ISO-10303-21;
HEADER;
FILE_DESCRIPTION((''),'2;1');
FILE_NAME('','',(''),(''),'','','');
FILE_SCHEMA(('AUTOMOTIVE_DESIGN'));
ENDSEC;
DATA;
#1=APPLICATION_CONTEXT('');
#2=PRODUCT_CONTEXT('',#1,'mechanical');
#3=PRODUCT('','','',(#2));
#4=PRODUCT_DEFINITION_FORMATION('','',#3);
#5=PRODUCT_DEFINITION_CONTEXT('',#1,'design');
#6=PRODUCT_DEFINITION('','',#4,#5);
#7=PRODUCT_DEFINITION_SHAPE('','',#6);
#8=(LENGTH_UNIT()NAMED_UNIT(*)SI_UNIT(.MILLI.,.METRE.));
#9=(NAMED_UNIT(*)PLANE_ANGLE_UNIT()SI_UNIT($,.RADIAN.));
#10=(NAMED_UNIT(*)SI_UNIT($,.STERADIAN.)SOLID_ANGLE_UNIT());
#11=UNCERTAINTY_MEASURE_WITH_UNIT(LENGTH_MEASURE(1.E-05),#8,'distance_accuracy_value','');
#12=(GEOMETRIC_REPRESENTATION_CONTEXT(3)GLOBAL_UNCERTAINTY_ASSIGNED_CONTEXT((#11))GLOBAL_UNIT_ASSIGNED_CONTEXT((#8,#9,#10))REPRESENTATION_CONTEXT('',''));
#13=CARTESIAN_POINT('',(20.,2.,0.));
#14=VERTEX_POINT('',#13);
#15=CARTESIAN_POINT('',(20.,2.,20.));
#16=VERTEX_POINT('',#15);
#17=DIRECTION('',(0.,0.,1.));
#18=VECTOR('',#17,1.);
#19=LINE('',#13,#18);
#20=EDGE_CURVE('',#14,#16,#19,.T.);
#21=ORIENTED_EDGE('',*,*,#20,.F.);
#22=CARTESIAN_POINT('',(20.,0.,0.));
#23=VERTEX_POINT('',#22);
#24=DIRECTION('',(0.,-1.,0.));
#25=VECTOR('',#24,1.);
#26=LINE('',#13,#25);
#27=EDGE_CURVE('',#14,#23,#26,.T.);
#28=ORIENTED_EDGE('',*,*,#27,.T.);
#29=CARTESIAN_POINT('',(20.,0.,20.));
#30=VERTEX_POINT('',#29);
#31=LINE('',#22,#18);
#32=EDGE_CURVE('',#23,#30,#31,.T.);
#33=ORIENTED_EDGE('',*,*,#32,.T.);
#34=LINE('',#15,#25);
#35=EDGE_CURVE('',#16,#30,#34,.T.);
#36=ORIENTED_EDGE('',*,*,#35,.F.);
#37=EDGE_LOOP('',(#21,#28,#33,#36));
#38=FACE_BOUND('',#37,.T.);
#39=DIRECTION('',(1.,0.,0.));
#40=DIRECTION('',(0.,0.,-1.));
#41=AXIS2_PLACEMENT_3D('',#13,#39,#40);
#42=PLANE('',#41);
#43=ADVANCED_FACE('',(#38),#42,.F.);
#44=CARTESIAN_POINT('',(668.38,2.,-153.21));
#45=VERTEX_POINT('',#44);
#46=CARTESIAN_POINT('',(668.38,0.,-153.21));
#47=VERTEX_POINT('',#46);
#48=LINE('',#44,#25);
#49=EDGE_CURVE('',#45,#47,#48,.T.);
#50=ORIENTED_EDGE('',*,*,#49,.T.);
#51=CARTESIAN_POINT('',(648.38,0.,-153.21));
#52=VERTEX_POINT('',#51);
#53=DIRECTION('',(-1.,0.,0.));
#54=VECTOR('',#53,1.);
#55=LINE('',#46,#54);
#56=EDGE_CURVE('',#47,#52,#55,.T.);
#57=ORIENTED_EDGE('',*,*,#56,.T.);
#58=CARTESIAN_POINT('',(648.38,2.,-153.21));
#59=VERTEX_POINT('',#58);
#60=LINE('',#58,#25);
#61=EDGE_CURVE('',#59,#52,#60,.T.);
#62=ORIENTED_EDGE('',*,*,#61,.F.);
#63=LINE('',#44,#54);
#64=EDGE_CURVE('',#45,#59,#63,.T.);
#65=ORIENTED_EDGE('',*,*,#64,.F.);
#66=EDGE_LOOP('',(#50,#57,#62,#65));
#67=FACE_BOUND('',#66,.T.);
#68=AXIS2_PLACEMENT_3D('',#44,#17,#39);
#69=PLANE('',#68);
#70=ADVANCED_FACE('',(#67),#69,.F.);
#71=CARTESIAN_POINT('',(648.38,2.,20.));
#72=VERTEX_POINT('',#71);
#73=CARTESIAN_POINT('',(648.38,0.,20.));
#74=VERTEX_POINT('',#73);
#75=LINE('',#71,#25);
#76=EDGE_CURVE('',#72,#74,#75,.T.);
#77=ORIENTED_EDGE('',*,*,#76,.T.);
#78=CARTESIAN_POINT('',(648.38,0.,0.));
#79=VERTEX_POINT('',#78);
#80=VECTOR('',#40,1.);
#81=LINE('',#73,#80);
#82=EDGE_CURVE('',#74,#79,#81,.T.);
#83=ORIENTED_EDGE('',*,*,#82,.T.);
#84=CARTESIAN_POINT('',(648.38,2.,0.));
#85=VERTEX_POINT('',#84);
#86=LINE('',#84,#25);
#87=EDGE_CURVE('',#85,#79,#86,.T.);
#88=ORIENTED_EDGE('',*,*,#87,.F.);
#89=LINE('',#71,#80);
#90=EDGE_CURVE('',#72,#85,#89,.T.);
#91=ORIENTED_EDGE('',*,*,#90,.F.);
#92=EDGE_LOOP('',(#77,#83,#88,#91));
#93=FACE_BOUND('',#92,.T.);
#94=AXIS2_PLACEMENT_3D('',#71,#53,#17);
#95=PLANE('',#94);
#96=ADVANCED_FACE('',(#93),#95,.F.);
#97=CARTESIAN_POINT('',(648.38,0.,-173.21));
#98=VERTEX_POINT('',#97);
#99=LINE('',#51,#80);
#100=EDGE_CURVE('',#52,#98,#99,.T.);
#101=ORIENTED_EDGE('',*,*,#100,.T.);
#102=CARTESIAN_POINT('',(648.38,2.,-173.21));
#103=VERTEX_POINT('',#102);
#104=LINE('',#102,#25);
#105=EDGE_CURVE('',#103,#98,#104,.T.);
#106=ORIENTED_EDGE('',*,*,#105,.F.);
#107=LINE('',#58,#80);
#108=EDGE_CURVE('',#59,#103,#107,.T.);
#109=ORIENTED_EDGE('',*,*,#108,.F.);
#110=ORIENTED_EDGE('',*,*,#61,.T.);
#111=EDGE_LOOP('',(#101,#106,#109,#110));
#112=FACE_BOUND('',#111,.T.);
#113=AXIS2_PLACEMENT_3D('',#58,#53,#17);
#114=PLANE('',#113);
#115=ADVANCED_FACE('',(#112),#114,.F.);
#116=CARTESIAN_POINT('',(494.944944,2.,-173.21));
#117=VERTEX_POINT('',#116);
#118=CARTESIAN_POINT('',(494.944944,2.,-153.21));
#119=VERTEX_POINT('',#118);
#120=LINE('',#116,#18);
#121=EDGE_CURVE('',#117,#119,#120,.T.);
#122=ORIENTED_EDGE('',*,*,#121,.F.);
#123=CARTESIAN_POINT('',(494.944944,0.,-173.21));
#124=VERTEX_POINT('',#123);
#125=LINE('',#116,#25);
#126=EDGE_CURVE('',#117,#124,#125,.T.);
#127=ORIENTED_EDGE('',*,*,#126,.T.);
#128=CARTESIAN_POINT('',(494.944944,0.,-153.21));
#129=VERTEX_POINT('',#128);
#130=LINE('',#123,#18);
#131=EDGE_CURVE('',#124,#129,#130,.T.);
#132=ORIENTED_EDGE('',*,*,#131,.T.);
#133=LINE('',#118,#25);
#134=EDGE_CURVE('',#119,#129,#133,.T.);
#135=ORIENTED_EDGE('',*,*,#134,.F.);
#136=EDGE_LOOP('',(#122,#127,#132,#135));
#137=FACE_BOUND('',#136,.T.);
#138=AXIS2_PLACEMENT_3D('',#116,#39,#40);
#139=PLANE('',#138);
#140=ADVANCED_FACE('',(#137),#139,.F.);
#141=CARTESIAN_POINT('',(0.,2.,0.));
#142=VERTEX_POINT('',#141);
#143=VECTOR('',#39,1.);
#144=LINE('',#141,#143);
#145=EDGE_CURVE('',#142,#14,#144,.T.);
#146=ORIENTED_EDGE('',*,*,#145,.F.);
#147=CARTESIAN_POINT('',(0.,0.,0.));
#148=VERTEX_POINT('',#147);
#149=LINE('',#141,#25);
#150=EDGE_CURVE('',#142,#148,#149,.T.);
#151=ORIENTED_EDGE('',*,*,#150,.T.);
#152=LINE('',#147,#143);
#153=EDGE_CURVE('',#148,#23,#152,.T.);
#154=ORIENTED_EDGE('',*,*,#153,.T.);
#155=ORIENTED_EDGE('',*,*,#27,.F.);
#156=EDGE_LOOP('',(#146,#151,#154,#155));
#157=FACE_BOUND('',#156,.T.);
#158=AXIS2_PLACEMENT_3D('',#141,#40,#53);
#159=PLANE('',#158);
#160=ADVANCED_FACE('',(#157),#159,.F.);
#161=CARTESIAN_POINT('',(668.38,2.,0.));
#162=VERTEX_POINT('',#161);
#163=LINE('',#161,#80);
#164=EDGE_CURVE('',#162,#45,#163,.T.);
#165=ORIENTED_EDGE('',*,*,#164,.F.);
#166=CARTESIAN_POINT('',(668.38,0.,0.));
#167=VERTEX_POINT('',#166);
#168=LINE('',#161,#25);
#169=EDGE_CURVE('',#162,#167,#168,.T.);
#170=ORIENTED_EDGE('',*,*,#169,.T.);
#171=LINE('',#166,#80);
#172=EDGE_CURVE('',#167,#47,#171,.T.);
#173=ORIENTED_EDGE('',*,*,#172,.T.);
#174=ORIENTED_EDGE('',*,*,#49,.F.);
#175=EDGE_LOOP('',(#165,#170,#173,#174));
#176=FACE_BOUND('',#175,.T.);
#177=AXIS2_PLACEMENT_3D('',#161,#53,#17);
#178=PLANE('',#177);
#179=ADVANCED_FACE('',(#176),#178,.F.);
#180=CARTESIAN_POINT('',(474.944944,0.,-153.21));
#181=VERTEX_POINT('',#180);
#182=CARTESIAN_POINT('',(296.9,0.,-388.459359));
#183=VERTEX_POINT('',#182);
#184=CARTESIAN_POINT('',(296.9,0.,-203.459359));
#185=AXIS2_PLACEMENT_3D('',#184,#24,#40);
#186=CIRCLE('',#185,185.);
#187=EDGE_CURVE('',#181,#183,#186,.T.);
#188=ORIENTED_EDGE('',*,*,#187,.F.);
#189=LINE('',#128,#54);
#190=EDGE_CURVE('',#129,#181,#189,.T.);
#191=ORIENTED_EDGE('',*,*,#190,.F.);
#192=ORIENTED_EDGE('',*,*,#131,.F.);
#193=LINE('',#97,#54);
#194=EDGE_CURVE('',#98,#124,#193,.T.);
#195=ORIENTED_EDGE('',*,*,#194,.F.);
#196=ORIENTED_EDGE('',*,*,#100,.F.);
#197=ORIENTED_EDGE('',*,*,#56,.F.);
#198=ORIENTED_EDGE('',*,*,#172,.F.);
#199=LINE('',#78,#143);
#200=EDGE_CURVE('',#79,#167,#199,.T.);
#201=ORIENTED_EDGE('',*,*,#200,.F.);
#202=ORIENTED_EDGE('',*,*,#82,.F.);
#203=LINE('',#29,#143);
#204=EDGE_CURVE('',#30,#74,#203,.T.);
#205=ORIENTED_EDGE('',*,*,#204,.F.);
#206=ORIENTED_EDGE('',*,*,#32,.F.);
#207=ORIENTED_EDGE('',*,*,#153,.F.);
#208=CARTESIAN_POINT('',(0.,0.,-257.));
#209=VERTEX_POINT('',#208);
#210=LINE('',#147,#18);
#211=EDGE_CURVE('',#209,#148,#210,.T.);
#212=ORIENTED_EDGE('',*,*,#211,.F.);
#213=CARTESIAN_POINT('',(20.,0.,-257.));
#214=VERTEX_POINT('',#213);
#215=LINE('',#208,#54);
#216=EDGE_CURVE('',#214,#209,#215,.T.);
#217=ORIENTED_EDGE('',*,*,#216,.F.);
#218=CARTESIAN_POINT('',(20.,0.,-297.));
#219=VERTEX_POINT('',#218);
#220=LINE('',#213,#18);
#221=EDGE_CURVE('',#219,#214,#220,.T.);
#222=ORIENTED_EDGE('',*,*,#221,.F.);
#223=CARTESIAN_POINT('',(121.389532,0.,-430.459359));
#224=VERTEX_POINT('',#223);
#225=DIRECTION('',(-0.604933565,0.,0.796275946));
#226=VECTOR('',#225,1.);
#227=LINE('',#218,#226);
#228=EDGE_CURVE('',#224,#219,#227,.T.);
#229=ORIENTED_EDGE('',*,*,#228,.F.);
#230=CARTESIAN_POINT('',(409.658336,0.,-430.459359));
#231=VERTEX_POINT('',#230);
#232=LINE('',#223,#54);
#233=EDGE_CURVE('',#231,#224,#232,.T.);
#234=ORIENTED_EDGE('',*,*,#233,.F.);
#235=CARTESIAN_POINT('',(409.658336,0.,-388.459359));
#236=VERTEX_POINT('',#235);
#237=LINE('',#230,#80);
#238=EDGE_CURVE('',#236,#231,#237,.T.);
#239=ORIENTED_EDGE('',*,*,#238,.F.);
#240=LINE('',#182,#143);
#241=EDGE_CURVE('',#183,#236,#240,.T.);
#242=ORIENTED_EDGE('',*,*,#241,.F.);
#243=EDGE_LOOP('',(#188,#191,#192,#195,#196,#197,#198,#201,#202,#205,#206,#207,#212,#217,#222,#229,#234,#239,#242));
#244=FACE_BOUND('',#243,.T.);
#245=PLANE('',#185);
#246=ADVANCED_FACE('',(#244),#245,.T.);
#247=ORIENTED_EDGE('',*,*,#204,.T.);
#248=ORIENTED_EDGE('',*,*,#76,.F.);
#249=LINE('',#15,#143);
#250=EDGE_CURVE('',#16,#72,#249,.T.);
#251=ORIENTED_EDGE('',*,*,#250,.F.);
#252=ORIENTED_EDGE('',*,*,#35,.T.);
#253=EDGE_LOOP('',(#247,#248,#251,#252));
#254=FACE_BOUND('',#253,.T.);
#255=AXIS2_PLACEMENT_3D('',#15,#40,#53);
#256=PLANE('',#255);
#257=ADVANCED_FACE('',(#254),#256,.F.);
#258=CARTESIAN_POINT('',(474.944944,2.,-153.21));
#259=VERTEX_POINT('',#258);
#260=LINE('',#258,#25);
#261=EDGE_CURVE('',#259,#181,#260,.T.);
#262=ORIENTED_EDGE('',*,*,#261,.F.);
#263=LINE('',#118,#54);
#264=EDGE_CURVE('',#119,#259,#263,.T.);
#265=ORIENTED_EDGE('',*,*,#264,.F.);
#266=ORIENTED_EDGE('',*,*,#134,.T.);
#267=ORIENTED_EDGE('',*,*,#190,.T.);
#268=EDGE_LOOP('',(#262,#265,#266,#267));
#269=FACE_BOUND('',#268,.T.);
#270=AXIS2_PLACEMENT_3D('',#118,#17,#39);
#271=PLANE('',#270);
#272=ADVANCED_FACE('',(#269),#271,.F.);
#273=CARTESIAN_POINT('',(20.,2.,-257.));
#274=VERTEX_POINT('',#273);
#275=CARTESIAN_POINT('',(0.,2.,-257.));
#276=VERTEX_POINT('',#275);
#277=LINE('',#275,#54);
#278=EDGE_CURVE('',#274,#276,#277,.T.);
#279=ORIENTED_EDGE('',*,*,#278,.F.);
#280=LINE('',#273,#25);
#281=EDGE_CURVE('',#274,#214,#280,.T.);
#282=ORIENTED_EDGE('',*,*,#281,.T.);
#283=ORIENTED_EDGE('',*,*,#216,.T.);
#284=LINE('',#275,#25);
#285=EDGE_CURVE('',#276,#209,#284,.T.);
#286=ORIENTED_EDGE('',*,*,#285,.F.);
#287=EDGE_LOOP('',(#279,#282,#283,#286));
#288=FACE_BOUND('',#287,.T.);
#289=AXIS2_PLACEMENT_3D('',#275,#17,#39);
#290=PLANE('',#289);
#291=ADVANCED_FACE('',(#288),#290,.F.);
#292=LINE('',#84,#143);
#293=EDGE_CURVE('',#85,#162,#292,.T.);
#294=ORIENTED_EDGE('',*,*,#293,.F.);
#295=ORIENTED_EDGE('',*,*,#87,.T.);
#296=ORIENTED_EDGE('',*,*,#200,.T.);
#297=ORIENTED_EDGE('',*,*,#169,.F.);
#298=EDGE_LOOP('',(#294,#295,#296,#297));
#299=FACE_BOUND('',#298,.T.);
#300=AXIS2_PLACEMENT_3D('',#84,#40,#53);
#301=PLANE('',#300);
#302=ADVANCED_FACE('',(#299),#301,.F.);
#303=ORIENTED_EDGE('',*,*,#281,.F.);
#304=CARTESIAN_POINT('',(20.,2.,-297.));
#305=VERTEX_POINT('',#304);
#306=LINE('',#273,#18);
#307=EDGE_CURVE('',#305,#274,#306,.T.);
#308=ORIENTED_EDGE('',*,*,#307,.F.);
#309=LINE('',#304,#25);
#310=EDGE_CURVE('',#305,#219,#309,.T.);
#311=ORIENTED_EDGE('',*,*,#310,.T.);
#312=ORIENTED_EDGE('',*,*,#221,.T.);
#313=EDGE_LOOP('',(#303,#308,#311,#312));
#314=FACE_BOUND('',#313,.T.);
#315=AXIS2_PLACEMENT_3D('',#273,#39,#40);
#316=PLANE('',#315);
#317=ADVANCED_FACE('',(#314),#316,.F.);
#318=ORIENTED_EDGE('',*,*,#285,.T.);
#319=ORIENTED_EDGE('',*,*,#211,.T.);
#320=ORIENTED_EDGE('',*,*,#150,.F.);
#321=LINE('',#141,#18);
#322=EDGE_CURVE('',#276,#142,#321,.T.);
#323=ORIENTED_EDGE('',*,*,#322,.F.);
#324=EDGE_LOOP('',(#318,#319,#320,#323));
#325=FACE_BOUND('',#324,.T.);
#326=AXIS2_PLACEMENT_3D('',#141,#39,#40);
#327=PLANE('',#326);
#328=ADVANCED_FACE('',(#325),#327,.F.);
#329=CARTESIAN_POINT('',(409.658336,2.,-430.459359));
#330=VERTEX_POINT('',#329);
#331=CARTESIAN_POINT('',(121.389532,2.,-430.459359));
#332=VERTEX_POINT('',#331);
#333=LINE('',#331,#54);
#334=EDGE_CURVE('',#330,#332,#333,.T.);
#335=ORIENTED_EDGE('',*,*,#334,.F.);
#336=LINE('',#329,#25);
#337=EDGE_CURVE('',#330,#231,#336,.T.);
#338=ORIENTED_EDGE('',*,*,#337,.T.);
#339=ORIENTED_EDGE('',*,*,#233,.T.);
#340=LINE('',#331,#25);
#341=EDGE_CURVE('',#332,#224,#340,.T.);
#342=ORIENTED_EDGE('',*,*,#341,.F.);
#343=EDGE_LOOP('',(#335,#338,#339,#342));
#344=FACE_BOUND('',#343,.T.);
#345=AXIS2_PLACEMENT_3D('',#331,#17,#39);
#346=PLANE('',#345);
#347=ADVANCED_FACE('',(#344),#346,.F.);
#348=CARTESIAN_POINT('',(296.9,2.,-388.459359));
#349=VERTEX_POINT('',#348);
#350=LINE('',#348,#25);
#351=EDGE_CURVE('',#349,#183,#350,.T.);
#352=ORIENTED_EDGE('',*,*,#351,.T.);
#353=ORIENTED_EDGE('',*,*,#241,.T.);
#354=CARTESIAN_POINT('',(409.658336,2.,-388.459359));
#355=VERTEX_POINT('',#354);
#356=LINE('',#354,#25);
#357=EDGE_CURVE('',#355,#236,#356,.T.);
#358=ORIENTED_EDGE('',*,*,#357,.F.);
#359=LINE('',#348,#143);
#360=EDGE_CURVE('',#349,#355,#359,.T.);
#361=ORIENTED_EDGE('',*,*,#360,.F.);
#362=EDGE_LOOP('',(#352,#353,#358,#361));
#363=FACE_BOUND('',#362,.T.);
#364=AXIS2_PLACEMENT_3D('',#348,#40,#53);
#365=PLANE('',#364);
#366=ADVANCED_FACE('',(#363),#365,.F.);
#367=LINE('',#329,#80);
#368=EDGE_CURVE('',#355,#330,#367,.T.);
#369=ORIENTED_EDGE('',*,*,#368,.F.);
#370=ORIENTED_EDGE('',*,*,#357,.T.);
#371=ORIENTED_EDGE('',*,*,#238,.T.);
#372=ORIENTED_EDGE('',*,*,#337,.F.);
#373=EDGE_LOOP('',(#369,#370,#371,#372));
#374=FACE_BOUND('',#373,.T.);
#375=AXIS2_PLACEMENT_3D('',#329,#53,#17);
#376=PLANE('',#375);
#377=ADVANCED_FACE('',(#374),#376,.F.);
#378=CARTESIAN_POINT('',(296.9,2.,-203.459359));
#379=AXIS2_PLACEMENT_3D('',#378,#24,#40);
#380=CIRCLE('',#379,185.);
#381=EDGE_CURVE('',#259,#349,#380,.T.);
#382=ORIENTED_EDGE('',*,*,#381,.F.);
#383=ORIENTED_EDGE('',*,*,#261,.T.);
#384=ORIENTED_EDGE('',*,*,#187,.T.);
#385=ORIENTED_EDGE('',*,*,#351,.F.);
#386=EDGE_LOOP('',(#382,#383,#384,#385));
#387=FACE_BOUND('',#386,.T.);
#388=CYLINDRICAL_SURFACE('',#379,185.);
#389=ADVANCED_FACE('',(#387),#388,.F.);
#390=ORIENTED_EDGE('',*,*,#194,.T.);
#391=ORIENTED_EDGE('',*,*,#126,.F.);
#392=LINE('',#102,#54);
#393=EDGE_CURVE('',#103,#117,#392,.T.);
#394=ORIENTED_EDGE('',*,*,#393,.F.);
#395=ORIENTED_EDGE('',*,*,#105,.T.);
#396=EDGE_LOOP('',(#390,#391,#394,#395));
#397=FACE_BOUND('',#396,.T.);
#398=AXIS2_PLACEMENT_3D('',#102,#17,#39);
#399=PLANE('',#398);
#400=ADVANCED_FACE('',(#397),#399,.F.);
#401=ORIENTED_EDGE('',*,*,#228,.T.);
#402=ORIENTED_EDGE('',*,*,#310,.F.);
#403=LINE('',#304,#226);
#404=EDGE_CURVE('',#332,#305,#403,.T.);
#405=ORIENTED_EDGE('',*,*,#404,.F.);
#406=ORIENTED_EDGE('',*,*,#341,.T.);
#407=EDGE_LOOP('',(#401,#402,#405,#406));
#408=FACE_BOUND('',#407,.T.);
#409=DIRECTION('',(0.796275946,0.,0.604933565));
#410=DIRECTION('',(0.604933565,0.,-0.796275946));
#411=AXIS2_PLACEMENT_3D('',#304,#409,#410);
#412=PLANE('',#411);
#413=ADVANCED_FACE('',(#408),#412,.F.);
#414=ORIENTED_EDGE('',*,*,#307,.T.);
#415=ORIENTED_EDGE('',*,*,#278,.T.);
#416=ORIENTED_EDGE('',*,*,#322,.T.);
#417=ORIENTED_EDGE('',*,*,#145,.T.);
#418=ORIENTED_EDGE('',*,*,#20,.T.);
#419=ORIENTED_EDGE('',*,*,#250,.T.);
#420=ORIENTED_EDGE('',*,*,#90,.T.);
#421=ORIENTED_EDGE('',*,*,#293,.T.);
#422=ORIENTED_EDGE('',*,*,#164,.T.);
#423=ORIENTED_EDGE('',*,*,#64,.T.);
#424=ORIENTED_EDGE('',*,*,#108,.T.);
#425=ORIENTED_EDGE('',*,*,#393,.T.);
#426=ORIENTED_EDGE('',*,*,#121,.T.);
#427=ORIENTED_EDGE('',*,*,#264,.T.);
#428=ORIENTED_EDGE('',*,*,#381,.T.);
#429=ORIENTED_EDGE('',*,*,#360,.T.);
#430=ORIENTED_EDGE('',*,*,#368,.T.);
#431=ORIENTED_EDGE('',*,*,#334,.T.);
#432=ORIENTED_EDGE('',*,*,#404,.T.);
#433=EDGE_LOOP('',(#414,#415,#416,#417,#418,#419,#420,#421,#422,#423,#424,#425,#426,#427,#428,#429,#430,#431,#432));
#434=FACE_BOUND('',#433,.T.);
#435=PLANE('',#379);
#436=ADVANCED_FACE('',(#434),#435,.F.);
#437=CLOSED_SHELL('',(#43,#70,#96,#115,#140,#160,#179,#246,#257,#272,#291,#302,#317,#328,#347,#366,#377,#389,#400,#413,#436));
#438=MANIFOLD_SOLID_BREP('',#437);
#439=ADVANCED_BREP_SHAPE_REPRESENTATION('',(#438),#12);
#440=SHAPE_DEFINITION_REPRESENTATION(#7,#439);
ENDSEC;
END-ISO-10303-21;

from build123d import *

# Parameters (mm, degrees)
BOSS_EXTRUDE1_DEPTH = 2


with BuildPart() as part:
    # Sketch1 → Boss-Extrude1 (new body)
    with BuildSketch(Plane(origin=(0, 0, 0), x_dir=(1, 0, 0), z_dir=(0, 1, 0))):
        with BuildLine():
            Line((0, 0), (20, 0))
            Line((20, 0), (20, -20))
            Line((20, -20), (648.38, -20))
            Line((648.38, -20), (648.38, 0))
            Line((648.38, 0), (668.38, 0))
            Line((668.38, 0), (668.38, 153.21))
            Line((668.38, 153.21), (648.38, 153.21))
            Line((648.38, 153.21), (648.38, 173.21))
            Line((648.38, 173.21), (494.944943633, 173.21))
            Line((494.944943633, 173.21), (494.944943633, 153.21))
            Line((494.944943633, 153.21), (474.944943633, 153.21))
            ThreePointArc((474.944943633, 153.21), (149.385371312, 91.815127637), (296.9, 388.45935867))
            Line((296.9, 388.45935867), (409.658335612, 388.45935867))
            Line((409.658335612, 388.45935867), (409.658335612, 430.45935867))
            Line((409.658335612, 430.45935867), (121.389532072, 430.45935867))
            Line((121.389532072, 430.45935867), (20, 297))
            Line((20, 297), (20, 257))
            Line((20, 257), (0, 257))
            Line((0, 257), (0, 0))
        make_face()
    extrude(amount=BOSS_EXTRUDE1_DEPTH)


solid = part.part
